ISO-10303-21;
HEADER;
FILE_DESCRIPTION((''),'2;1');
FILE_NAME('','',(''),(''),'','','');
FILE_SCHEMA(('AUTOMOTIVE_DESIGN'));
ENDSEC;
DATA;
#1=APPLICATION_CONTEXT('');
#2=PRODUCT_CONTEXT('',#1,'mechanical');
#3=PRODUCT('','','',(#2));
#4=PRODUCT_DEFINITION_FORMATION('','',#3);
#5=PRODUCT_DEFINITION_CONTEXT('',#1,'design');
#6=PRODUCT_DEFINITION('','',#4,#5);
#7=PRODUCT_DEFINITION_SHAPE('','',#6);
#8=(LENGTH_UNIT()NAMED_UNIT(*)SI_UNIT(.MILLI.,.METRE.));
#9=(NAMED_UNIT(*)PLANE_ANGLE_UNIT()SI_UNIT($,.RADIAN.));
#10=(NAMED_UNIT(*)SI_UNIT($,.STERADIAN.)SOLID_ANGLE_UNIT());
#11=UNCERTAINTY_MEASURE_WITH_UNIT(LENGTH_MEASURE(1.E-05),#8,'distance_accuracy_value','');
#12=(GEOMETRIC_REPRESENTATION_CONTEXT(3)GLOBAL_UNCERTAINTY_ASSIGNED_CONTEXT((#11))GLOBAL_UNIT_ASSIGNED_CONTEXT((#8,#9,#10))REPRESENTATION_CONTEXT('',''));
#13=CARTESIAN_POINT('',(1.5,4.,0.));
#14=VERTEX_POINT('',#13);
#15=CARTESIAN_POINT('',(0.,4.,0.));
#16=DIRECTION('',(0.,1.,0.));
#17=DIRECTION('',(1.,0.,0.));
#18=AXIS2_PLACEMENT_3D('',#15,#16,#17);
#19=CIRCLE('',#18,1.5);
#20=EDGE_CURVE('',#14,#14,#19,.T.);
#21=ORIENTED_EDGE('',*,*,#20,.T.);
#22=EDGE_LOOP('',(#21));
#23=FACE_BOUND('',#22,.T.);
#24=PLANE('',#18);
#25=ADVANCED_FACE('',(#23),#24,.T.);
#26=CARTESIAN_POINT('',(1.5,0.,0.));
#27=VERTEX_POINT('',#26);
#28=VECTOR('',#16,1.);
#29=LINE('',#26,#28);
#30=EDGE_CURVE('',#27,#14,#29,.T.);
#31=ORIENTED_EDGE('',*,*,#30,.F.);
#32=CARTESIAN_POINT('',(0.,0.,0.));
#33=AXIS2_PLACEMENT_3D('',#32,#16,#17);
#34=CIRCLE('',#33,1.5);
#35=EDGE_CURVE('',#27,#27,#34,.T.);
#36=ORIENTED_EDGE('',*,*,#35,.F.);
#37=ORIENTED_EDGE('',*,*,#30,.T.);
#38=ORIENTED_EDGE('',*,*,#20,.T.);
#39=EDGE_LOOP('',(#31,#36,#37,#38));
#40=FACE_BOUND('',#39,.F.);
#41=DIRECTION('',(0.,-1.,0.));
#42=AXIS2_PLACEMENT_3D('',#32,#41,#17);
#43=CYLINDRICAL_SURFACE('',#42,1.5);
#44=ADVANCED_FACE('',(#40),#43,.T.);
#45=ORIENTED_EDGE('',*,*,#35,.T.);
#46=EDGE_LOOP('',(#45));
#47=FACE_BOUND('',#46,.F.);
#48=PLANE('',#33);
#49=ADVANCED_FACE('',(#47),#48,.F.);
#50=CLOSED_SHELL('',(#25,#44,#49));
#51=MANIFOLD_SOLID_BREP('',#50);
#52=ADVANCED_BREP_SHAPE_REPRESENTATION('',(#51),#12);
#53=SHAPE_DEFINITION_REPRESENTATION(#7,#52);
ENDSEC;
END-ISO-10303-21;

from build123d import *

# Parameters (mm, degrees)
SKETCH1_R           = 1.5
BOSS_EXTRUDE1_DEPTH = 4


with BuildPart() as part:
    # Sketch1 → Boss-Extrude1 (new body)
    with BuildSketch(Plane(origin=(0, 0, 0), x_dir=(1, 0, 0), z_dir=(0, 1, 0))):
        Circle(SKETCH1_R)
    extrude(amount=BOSS_EXTRUDE1_DEPTH)


solid = part.part
